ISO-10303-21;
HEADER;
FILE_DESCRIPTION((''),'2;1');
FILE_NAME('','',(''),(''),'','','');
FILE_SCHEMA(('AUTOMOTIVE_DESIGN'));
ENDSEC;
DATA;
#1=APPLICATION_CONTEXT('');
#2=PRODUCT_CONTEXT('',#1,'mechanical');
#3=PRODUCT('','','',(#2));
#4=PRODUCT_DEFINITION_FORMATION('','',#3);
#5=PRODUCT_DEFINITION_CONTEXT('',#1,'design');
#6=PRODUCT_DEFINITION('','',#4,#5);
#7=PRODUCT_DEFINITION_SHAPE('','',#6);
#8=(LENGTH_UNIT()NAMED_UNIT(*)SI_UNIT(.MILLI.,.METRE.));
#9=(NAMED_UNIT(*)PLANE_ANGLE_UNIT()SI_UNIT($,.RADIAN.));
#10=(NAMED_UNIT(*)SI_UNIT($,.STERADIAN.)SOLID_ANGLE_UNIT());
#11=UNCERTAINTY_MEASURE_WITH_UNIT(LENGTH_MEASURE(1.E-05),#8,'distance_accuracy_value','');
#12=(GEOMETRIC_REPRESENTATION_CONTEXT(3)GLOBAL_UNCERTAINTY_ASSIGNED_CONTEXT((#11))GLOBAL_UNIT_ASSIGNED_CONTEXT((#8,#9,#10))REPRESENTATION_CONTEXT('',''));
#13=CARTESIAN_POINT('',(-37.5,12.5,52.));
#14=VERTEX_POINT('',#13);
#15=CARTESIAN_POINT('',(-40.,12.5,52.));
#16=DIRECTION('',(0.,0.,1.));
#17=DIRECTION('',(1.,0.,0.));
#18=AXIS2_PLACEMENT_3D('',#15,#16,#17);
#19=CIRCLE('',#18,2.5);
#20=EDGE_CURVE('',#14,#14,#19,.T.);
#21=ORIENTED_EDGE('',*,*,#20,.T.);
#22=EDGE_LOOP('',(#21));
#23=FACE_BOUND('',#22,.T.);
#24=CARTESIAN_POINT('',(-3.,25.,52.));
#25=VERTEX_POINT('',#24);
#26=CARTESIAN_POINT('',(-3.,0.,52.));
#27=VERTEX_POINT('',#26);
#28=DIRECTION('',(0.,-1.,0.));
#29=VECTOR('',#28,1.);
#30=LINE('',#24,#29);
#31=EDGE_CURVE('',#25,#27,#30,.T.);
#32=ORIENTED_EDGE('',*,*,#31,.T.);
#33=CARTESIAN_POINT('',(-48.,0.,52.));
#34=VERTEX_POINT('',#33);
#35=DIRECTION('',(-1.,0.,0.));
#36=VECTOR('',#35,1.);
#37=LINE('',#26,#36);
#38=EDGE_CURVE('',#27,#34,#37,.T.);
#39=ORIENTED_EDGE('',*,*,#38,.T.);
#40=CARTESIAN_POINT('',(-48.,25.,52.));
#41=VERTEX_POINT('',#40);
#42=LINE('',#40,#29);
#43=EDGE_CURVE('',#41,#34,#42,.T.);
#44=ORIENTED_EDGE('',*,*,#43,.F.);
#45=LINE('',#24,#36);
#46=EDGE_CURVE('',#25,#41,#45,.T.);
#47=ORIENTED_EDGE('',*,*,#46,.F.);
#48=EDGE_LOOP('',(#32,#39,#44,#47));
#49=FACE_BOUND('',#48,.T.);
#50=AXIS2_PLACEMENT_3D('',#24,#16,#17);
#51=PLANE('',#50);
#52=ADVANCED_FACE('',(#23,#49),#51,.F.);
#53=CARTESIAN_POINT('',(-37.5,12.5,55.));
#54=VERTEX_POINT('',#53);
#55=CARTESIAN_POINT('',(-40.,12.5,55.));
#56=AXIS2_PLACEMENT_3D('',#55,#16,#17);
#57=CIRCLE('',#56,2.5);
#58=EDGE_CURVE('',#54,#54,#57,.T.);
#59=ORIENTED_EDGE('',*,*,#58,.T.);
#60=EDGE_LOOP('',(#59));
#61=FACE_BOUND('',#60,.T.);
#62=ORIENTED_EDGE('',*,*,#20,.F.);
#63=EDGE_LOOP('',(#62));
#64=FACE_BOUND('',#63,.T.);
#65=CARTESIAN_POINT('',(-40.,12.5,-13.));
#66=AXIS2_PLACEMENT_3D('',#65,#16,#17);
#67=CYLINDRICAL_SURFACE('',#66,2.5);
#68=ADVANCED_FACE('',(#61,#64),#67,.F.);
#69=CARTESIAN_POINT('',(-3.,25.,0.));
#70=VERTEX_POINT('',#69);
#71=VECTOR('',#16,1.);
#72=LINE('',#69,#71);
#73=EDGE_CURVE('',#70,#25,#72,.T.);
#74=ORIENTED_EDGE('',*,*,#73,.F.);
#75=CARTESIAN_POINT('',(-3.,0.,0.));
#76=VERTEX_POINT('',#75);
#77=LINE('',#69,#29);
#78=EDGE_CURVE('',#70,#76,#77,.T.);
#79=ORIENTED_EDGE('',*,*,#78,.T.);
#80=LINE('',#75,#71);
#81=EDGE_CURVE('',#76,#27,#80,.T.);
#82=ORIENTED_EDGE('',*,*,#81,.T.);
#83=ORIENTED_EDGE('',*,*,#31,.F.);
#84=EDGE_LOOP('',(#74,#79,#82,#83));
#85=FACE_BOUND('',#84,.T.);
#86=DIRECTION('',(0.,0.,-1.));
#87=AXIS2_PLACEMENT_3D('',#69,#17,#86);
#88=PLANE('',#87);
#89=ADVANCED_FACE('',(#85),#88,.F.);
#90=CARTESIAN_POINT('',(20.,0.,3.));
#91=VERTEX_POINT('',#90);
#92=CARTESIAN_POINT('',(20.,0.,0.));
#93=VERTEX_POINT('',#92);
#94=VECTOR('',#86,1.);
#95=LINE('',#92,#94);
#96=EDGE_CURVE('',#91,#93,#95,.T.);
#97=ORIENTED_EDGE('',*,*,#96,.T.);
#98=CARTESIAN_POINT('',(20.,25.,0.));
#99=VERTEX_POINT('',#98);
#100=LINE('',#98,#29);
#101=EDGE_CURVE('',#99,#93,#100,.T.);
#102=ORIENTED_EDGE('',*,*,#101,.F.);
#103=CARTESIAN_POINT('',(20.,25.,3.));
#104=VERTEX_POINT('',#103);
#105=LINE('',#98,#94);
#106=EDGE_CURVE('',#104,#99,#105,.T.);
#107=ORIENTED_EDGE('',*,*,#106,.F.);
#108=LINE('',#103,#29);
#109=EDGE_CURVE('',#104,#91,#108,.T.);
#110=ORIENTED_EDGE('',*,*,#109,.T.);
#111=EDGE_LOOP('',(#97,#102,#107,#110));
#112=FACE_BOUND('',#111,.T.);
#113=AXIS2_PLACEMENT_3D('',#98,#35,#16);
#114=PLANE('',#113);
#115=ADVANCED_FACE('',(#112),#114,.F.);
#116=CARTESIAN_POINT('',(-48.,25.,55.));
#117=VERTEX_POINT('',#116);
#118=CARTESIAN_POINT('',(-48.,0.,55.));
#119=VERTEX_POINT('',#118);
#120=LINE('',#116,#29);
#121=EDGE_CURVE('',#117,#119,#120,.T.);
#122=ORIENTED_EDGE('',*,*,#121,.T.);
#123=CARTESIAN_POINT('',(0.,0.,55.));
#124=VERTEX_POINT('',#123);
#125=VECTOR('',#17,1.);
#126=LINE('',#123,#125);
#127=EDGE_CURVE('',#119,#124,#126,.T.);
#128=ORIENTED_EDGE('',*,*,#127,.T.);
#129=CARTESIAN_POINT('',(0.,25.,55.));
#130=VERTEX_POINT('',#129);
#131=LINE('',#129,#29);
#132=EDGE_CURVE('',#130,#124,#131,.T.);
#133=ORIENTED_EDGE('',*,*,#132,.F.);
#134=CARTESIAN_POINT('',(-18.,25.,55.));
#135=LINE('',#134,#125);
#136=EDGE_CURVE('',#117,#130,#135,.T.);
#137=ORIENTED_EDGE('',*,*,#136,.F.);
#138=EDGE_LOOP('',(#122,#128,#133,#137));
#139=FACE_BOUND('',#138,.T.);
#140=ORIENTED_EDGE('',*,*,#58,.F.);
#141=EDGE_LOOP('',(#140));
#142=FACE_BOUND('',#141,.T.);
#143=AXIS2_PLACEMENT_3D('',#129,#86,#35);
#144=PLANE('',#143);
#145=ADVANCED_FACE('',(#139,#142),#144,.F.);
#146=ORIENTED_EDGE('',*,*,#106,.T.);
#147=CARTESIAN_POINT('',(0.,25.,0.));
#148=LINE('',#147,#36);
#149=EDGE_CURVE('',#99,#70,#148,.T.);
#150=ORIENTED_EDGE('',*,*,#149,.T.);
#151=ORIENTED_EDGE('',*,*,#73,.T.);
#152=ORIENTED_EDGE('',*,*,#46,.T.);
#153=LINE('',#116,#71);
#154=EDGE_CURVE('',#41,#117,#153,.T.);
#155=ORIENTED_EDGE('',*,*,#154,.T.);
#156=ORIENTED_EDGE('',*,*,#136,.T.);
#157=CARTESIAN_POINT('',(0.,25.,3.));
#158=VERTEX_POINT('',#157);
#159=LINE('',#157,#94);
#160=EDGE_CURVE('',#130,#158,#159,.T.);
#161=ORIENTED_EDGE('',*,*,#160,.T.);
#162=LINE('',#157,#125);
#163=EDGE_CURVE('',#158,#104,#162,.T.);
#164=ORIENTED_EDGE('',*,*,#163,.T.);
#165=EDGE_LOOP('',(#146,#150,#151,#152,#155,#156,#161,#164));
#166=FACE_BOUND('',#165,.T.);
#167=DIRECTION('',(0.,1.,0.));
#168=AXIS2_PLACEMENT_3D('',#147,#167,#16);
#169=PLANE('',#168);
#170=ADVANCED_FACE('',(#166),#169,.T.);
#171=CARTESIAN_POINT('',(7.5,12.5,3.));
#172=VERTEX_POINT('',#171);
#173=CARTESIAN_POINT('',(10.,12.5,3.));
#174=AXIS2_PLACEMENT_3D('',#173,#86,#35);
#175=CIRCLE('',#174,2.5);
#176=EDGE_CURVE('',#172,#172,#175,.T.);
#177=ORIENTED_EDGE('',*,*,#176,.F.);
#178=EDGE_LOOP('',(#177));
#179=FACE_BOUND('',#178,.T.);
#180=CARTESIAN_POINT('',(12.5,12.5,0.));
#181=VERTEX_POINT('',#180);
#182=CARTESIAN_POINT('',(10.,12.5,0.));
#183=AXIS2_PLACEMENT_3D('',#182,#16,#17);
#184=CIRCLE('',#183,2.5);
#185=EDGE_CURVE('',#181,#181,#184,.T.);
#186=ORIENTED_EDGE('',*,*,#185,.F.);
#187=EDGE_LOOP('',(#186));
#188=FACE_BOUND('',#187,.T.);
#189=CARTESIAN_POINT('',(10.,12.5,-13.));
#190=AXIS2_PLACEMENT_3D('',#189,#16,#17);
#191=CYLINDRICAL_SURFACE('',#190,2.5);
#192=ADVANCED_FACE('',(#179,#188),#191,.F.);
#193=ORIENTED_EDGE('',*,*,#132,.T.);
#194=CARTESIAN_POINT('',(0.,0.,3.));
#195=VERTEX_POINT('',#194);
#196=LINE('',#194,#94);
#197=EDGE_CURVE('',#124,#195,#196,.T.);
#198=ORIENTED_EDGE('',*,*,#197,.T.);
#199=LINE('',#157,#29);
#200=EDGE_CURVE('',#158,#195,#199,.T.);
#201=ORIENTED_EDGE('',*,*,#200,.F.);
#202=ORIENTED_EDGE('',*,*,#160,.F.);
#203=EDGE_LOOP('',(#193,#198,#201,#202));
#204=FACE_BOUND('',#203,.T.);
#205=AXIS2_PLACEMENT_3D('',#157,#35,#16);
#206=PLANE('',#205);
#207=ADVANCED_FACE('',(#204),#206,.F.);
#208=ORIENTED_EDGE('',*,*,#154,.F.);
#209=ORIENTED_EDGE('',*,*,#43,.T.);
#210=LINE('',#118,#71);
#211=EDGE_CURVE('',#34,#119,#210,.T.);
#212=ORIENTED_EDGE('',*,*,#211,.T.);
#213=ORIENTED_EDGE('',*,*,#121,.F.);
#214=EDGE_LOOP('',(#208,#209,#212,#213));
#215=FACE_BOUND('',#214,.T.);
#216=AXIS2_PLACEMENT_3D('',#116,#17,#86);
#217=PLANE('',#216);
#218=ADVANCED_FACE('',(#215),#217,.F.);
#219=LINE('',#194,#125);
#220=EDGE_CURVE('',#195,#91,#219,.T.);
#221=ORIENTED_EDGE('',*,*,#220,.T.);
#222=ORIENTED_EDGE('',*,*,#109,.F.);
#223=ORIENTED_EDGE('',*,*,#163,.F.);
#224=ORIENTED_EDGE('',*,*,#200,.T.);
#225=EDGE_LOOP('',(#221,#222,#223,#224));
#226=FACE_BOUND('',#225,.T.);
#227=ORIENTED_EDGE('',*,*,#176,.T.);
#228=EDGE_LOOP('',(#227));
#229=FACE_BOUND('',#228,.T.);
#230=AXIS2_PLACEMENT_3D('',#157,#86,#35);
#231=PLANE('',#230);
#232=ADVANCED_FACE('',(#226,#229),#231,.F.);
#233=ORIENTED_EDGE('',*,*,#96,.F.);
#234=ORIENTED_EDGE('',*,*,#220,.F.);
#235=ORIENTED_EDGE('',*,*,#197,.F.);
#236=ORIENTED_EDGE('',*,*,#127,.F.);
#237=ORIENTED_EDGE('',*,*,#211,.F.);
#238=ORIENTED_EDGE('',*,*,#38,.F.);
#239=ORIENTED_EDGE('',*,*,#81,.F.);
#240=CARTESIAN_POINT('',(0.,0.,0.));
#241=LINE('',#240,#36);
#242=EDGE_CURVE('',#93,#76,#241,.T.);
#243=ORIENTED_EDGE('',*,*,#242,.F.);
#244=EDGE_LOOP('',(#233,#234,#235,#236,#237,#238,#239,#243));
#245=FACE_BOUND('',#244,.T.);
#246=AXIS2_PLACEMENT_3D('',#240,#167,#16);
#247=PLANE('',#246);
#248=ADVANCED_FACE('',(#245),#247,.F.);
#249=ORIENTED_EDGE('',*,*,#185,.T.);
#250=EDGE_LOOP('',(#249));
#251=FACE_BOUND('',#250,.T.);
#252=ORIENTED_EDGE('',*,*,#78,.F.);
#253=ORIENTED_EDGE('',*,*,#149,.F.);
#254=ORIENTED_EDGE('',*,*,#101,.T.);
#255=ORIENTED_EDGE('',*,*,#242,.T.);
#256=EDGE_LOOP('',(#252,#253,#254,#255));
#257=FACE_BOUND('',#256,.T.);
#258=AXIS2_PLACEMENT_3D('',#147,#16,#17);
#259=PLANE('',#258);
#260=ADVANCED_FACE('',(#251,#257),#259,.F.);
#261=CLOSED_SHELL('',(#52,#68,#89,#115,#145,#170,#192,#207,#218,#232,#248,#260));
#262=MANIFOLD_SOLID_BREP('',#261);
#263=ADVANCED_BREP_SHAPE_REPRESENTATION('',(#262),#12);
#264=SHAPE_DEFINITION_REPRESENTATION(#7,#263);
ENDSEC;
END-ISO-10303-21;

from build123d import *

# Parameters (mm, degrees)
BOSS_EXTRUDE1_DEPTH = 25
SKETCH2_R           = 2.5
CUT_EXTRUDE1_DEPTH  = 68


with BuildPart() as part:
    # Sketch1 → Boss-Extrude1 (new body)
    with BuildSketch(Plane(origin=(0, 0, 0), x_dir=(1, 0, 0), z_dir=(0, 1, 0))):
        Polygon((0, 0), (20, 0), (20, -3), (0, -3), (0, -55), (-18, -55), (-48, -55), (-48, -52), (-3, -52), (-3, 0), align=None)
    extrude(amount=BOSS_EXTRUDE1_DEPTH)

    # Sketch2 → Cut-Extrude1 (cut)
    with BuildSketch(Plane.XY.offset(55)):
        with Locations((-40, 12.5)):
            Circle(SKETCH2_R)
        with Locations((10, 12.5)):
            Circle(SKETCH2_R)
    extrude(amount=-CUT_EXTRUDE1_DEPTH, mode=Mode.SUBTRACT)


solid = part.part
